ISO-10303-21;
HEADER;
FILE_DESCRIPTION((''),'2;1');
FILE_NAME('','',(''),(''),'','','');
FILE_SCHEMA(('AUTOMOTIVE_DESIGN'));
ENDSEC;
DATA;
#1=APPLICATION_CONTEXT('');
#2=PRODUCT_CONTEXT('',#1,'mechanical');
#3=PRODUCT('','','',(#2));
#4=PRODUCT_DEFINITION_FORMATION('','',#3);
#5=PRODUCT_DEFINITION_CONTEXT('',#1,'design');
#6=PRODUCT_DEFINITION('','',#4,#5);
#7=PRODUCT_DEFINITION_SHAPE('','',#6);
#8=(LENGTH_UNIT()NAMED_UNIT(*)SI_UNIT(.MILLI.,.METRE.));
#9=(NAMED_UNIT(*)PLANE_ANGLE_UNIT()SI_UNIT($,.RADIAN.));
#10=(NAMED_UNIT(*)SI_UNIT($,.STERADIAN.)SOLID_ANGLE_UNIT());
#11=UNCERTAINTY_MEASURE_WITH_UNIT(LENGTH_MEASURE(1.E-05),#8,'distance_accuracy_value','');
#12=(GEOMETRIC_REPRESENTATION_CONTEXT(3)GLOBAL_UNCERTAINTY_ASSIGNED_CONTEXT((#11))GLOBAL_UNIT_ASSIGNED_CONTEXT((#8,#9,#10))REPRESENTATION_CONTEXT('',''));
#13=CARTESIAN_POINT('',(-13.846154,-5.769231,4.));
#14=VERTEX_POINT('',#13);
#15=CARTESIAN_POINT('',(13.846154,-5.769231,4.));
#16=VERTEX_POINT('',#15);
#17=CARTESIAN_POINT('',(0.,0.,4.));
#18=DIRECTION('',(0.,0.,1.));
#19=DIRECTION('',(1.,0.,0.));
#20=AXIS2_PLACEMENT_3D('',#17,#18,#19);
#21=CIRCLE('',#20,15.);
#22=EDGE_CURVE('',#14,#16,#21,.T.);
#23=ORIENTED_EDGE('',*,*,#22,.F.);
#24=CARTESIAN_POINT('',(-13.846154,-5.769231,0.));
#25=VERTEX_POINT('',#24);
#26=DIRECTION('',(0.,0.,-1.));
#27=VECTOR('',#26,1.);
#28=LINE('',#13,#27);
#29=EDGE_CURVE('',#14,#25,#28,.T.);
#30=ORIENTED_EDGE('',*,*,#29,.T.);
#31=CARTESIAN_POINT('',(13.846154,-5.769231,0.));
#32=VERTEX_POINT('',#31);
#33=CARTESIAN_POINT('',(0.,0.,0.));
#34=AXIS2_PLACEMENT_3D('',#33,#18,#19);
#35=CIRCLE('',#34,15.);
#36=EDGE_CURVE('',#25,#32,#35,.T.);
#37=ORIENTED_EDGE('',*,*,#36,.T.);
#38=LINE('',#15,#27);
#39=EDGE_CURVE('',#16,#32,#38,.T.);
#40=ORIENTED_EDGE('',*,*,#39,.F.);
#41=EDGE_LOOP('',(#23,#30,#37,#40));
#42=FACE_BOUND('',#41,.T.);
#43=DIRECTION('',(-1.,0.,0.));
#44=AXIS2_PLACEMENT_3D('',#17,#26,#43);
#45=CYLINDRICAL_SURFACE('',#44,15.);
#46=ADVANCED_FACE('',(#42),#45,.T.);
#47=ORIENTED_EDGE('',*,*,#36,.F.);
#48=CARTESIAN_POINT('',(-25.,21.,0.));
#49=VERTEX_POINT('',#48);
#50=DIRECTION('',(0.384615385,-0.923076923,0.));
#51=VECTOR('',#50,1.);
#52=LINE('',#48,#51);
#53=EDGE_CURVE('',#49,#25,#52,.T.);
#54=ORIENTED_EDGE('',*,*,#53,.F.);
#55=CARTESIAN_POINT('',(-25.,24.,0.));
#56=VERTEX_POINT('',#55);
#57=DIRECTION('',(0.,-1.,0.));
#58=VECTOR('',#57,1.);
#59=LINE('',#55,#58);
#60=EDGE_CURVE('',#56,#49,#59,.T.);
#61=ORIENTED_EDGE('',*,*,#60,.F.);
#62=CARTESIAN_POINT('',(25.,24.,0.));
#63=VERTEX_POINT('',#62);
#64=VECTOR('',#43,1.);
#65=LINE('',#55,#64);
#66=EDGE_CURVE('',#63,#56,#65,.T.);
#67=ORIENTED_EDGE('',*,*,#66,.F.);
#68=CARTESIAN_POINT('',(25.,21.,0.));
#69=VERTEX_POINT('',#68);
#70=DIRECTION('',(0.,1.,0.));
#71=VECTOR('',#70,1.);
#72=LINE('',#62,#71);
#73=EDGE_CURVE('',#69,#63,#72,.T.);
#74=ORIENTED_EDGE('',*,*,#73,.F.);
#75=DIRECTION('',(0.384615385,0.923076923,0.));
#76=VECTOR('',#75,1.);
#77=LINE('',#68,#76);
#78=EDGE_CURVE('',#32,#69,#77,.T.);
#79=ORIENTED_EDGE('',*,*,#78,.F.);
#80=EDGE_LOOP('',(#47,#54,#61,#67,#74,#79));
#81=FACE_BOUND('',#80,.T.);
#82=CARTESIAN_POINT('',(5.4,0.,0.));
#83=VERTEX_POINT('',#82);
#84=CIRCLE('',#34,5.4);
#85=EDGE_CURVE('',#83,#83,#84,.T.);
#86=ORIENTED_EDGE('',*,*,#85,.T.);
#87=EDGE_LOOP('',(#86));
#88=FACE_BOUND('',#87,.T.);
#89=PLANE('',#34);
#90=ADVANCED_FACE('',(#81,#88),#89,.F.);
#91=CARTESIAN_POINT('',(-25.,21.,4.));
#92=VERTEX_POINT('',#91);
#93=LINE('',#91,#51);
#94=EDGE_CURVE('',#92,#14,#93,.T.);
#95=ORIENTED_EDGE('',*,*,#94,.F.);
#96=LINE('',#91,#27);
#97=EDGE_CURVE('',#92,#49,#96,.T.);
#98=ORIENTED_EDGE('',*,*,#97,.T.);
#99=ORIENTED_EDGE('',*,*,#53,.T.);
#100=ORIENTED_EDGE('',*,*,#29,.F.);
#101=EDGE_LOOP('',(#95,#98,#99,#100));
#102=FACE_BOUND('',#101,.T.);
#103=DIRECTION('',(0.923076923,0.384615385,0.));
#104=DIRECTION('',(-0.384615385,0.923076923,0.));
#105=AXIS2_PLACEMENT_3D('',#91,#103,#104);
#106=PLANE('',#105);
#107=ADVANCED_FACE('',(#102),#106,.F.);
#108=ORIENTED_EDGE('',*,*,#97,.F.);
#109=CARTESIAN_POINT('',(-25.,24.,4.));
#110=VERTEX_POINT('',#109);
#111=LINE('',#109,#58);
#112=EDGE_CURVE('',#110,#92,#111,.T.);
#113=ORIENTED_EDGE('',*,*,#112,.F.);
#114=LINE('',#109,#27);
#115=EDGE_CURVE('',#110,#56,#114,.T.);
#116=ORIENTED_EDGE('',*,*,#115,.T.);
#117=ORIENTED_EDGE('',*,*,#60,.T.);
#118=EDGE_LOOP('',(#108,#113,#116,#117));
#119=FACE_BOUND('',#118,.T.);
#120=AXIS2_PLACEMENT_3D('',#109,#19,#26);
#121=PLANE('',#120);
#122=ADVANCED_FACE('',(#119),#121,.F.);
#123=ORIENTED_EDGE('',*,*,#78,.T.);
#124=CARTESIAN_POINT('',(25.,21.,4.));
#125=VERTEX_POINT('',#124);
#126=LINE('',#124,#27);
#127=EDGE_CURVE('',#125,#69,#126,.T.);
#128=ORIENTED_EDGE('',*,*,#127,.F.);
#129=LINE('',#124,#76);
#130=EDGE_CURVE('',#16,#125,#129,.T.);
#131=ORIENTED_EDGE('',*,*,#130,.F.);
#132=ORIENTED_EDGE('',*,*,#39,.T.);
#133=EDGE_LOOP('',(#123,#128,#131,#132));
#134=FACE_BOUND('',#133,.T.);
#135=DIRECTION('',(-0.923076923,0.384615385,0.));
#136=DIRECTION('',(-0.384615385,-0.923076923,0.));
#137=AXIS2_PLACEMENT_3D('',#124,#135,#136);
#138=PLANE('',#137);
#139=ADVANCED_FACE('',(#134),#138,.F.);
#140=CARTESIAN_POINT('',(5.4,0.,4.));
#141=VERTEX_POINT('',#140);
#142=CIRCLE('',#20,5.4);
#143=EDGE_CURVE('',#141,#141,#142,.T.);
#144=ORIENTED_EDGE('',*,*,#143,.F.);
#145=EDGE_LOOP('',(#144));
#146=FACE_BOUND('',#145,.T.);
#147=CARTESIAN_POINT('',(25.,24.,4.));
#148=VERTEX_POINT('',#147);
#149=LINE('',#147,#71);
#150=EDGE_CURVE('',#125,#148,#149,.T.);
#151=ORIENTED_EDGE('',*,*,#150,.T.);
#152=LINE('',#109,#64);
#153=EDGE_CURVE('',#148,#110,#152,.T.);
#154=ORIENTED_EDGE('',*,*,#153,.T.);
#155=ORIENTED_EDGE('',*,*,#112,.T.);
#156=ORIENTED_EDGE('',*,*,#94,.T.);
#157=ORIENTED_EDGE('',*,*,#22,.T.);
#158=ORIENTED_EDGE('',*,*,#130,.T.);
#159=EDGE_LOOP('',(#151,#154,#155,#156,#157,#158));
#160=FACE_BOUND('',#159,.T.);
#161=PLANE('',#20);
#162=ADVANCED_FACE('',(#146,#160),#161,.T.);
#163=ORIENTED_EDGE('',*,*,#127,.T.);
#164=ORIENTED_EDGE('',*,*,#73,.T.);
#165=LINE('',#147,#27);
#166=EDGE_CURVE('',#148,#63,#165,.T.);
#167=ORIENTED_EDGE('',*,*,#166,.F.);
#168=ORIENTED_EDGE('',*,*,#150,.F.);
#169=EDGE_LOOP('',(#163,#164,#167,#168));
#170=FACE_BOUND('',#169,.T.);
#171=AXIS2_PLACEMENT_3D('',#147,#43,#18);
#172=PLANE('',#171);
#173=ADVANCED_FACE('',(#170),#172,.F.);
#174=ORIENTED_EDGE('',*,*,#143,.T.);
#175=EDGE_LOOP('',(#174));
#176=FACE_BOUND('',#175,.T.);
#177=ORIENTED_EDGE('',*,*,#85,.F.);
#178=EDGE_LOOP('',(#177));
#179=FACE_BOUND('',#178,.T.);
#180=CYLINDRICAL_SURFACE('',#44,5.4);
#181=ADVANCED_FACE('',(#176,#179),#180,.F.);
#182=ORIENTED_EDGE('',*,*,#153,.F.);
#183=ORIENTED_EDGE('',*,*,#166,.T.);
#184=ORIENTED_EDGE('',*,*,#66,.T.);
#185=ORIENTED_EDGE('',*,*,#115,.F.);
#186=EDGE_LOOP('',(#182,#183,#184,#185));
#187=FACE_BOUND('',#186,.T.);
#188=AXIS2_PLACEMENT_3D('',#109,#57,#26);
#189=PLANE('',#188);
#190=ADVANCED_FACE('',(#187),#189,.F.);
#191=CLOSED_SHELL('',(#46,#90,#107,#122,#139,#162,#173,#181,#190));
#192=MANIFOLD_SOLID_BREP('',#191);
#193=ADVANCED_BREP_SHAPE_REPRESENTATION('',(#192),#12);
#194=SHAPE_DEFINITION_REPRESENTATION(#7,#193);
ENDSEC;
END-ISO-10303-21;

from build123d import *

# Parameters (mm, degrees)
SKETCH_1_R      = 5.4
EXTRUDE_1_DEPTH = 4


with BuildPart() as part:
    # Эскиз1 → Бобышка-Вытянуть1 (new body)
    with BuildSketch(Plane.XY):
        with BuildLine():
            Line((-25, 24), (25, 24))
            Line((25, 24), (25, 21))
            Line((25, 21), (13.846153846, -5.769230769))
            ThreePointArc((13.846153846, -5.769230769), (0, -15), (-13.846153846, -5.769230769))
            Line((-13.846153846, -5.769230769), (-25, 21))
            Line((-25, 21), (-25, 24))
        make_face()
        Circle(SKETCH_1_R, mode=Mode.SUBTRACT)
    extrude(amount=EXTRUDE_1_DEPTH)


solid = part.part
